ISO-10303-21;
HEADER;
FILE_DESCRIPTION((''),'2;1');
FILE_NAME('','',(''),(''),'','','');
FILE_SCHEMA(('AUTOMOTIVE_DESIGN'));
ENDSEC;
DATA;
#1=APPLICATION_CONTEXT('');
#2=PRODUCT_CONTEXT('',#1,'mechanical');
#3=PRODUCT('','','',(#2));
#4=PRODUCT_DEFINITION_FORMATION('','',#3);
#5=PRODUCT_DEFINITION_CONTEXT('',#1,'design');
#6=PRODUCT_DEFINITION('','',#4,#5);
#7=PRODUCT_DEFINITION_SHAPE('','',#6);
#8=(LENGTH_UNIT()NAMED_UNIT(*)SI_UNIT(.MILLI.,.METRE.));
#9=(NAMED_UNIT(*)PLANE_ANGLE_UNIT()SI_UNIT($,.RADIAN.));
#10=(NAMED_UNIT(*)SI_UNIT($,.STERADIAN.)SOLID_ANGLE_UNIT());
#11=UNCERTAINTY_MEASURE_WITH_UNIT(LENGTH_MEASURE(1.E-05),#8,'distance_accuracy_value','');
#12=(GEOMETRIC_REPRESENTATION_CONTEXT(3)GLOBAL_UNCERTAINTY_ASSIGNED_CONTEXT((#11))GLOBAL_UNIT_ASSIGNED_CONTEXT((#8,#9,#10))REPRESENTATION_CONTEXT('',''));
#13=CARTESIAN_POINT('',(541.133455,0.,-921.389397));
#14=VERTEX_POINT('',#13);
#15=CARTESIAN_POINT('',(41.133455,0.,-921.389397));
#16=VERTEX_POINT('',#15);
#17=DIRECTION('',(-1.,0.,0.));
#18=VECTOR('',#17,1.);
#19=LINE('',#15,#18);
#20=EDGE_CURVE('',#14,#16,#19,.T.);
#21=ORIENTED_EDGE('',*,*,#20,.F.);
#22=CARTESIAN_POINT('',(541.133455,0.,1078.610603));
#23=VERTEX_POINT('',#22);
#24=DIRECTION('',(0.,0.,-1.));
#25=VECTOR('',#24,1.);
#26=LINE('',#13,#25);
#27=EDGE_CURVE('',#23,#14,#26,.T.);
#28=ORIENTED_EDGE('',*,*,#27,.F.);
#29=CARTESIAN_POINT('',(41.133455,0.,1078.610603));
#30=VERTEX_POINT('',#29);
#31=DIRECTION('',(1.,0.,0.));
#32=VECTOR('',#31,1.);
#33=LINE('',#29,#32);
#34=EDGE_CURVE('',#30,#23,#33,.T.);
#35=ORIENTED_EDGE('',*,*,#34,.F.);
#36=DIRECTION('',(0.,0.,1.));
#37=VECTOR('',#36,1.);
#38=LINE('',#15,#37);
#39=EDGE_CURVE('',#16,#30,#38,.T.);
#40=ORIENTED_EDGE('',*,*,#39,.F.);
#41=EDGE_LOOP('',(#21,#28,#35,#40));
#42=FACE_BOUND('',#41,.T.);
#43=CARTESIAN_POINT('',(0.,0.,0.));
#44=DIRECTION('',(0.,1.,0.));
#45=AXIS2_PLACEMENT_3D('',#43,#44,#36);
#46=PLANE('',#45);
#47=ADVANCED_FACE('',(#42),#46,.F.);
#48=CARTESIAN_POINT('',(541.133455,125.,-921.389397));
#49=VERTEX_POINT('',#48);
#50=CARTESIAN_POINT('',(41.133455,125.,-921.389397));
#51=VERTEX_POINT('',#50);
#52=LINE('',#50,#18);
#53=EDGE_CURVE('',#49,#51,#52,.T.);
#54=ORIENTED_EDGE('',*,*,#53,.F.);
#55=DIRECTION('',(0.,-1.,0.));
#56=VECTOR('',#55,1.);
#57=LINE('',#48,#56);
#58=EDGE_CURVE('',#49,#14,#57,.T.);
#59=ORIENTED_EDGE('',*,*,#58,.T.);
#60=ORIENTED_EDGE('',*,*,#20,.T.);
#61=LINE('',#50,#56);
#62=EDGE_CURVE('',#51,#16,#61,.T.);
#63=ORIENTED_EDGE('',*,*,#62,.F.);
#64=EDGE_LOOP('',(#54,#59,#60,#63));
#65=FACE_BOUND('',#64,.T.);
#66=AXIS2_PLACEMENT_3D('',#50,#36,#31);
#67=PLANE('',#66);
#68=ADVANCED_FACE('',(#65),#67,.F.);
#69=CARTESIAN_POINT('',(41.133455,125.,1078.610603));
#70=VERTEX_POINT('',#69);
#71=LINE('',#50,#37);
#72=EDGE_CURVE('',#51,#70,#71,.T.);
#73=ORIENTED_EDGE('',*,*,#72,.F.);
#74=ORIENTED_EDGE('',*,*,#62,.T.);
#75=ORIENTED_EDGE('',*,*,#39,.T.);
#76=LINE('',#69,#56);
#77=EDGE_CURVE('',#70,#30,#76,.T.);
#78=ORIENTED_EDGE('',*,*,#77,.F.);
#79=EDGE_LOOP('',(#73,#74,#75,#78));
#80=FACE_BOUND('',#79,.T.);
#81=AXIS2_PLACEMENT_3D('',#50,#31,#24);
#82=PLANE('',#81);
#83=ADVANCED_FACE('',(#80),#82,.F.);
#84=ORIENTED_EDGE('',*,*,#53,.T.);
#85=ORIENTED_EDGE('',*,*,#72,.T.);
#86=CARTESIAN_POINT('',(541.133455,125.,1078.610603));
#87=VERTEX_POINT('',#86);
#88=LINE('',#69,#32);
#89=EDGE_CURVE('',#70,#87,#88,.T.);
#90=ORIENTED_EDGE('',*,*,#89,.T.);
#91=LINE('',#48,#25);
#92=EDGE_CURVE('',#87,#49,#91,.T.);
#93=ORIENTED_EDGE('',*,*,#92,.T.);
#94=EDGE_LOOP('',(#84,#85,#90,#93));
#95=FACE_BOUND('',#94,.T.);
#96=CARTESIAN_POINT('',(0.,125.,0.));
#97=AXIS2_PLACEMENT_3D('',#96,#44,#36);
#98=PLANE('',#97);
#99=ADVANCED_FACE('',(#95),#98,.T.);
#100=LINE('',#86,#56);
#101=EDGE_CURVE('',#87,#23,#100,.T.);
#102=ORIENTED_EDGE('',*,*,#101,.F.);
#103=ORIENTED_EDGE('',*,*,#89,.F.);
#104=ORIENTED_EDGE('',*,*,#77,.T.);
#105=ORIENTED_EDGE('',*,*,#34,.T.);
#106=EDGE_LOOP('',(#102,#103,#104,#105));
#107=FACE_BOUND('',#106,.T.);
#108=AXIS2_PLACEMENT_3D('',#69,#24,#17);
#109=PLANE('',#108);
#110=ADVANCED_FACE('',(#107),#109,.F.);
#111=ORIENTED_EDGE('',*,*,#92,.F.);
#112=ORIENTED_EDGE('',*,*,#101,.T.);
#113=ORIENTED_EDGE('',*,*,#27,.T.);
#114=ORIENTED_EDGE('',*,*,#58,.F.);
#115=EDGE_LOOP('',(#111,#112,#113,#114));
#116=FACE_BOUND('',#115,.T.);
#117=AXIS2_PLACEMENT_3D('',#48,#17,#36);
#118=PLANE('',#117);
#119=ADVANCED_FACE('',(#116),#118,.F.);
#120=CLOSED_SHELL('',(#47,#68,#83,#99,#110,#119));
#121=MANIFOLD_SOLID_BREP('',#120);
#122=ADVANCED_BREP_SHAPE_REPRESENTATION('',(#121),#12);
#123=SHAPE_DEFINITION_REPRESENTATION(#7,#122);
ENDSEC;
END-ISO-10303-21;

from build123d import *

# Parameters (mm, degrees)
SKETCH1_W           = 500
SKETCH1_H           = 2000
BOSS_EXTRUDE1_DEPTH = 125


with BuildPart() as part:
    # Sketch1 → Boss-Extrude1 (new body)
    with BuildSketch(Plane(origin=(0, 0, 0), x_dir=(1, 0, 0), z_dir=(0, 1, 0))):
        with Locations((291.13345521, -78.610603291)):
            Rectangle(SKETCH1_W, SKETCH1_H)
    extrude(amount=BOSS_EXTRUDE1_DEPTH)


solid = part.part
